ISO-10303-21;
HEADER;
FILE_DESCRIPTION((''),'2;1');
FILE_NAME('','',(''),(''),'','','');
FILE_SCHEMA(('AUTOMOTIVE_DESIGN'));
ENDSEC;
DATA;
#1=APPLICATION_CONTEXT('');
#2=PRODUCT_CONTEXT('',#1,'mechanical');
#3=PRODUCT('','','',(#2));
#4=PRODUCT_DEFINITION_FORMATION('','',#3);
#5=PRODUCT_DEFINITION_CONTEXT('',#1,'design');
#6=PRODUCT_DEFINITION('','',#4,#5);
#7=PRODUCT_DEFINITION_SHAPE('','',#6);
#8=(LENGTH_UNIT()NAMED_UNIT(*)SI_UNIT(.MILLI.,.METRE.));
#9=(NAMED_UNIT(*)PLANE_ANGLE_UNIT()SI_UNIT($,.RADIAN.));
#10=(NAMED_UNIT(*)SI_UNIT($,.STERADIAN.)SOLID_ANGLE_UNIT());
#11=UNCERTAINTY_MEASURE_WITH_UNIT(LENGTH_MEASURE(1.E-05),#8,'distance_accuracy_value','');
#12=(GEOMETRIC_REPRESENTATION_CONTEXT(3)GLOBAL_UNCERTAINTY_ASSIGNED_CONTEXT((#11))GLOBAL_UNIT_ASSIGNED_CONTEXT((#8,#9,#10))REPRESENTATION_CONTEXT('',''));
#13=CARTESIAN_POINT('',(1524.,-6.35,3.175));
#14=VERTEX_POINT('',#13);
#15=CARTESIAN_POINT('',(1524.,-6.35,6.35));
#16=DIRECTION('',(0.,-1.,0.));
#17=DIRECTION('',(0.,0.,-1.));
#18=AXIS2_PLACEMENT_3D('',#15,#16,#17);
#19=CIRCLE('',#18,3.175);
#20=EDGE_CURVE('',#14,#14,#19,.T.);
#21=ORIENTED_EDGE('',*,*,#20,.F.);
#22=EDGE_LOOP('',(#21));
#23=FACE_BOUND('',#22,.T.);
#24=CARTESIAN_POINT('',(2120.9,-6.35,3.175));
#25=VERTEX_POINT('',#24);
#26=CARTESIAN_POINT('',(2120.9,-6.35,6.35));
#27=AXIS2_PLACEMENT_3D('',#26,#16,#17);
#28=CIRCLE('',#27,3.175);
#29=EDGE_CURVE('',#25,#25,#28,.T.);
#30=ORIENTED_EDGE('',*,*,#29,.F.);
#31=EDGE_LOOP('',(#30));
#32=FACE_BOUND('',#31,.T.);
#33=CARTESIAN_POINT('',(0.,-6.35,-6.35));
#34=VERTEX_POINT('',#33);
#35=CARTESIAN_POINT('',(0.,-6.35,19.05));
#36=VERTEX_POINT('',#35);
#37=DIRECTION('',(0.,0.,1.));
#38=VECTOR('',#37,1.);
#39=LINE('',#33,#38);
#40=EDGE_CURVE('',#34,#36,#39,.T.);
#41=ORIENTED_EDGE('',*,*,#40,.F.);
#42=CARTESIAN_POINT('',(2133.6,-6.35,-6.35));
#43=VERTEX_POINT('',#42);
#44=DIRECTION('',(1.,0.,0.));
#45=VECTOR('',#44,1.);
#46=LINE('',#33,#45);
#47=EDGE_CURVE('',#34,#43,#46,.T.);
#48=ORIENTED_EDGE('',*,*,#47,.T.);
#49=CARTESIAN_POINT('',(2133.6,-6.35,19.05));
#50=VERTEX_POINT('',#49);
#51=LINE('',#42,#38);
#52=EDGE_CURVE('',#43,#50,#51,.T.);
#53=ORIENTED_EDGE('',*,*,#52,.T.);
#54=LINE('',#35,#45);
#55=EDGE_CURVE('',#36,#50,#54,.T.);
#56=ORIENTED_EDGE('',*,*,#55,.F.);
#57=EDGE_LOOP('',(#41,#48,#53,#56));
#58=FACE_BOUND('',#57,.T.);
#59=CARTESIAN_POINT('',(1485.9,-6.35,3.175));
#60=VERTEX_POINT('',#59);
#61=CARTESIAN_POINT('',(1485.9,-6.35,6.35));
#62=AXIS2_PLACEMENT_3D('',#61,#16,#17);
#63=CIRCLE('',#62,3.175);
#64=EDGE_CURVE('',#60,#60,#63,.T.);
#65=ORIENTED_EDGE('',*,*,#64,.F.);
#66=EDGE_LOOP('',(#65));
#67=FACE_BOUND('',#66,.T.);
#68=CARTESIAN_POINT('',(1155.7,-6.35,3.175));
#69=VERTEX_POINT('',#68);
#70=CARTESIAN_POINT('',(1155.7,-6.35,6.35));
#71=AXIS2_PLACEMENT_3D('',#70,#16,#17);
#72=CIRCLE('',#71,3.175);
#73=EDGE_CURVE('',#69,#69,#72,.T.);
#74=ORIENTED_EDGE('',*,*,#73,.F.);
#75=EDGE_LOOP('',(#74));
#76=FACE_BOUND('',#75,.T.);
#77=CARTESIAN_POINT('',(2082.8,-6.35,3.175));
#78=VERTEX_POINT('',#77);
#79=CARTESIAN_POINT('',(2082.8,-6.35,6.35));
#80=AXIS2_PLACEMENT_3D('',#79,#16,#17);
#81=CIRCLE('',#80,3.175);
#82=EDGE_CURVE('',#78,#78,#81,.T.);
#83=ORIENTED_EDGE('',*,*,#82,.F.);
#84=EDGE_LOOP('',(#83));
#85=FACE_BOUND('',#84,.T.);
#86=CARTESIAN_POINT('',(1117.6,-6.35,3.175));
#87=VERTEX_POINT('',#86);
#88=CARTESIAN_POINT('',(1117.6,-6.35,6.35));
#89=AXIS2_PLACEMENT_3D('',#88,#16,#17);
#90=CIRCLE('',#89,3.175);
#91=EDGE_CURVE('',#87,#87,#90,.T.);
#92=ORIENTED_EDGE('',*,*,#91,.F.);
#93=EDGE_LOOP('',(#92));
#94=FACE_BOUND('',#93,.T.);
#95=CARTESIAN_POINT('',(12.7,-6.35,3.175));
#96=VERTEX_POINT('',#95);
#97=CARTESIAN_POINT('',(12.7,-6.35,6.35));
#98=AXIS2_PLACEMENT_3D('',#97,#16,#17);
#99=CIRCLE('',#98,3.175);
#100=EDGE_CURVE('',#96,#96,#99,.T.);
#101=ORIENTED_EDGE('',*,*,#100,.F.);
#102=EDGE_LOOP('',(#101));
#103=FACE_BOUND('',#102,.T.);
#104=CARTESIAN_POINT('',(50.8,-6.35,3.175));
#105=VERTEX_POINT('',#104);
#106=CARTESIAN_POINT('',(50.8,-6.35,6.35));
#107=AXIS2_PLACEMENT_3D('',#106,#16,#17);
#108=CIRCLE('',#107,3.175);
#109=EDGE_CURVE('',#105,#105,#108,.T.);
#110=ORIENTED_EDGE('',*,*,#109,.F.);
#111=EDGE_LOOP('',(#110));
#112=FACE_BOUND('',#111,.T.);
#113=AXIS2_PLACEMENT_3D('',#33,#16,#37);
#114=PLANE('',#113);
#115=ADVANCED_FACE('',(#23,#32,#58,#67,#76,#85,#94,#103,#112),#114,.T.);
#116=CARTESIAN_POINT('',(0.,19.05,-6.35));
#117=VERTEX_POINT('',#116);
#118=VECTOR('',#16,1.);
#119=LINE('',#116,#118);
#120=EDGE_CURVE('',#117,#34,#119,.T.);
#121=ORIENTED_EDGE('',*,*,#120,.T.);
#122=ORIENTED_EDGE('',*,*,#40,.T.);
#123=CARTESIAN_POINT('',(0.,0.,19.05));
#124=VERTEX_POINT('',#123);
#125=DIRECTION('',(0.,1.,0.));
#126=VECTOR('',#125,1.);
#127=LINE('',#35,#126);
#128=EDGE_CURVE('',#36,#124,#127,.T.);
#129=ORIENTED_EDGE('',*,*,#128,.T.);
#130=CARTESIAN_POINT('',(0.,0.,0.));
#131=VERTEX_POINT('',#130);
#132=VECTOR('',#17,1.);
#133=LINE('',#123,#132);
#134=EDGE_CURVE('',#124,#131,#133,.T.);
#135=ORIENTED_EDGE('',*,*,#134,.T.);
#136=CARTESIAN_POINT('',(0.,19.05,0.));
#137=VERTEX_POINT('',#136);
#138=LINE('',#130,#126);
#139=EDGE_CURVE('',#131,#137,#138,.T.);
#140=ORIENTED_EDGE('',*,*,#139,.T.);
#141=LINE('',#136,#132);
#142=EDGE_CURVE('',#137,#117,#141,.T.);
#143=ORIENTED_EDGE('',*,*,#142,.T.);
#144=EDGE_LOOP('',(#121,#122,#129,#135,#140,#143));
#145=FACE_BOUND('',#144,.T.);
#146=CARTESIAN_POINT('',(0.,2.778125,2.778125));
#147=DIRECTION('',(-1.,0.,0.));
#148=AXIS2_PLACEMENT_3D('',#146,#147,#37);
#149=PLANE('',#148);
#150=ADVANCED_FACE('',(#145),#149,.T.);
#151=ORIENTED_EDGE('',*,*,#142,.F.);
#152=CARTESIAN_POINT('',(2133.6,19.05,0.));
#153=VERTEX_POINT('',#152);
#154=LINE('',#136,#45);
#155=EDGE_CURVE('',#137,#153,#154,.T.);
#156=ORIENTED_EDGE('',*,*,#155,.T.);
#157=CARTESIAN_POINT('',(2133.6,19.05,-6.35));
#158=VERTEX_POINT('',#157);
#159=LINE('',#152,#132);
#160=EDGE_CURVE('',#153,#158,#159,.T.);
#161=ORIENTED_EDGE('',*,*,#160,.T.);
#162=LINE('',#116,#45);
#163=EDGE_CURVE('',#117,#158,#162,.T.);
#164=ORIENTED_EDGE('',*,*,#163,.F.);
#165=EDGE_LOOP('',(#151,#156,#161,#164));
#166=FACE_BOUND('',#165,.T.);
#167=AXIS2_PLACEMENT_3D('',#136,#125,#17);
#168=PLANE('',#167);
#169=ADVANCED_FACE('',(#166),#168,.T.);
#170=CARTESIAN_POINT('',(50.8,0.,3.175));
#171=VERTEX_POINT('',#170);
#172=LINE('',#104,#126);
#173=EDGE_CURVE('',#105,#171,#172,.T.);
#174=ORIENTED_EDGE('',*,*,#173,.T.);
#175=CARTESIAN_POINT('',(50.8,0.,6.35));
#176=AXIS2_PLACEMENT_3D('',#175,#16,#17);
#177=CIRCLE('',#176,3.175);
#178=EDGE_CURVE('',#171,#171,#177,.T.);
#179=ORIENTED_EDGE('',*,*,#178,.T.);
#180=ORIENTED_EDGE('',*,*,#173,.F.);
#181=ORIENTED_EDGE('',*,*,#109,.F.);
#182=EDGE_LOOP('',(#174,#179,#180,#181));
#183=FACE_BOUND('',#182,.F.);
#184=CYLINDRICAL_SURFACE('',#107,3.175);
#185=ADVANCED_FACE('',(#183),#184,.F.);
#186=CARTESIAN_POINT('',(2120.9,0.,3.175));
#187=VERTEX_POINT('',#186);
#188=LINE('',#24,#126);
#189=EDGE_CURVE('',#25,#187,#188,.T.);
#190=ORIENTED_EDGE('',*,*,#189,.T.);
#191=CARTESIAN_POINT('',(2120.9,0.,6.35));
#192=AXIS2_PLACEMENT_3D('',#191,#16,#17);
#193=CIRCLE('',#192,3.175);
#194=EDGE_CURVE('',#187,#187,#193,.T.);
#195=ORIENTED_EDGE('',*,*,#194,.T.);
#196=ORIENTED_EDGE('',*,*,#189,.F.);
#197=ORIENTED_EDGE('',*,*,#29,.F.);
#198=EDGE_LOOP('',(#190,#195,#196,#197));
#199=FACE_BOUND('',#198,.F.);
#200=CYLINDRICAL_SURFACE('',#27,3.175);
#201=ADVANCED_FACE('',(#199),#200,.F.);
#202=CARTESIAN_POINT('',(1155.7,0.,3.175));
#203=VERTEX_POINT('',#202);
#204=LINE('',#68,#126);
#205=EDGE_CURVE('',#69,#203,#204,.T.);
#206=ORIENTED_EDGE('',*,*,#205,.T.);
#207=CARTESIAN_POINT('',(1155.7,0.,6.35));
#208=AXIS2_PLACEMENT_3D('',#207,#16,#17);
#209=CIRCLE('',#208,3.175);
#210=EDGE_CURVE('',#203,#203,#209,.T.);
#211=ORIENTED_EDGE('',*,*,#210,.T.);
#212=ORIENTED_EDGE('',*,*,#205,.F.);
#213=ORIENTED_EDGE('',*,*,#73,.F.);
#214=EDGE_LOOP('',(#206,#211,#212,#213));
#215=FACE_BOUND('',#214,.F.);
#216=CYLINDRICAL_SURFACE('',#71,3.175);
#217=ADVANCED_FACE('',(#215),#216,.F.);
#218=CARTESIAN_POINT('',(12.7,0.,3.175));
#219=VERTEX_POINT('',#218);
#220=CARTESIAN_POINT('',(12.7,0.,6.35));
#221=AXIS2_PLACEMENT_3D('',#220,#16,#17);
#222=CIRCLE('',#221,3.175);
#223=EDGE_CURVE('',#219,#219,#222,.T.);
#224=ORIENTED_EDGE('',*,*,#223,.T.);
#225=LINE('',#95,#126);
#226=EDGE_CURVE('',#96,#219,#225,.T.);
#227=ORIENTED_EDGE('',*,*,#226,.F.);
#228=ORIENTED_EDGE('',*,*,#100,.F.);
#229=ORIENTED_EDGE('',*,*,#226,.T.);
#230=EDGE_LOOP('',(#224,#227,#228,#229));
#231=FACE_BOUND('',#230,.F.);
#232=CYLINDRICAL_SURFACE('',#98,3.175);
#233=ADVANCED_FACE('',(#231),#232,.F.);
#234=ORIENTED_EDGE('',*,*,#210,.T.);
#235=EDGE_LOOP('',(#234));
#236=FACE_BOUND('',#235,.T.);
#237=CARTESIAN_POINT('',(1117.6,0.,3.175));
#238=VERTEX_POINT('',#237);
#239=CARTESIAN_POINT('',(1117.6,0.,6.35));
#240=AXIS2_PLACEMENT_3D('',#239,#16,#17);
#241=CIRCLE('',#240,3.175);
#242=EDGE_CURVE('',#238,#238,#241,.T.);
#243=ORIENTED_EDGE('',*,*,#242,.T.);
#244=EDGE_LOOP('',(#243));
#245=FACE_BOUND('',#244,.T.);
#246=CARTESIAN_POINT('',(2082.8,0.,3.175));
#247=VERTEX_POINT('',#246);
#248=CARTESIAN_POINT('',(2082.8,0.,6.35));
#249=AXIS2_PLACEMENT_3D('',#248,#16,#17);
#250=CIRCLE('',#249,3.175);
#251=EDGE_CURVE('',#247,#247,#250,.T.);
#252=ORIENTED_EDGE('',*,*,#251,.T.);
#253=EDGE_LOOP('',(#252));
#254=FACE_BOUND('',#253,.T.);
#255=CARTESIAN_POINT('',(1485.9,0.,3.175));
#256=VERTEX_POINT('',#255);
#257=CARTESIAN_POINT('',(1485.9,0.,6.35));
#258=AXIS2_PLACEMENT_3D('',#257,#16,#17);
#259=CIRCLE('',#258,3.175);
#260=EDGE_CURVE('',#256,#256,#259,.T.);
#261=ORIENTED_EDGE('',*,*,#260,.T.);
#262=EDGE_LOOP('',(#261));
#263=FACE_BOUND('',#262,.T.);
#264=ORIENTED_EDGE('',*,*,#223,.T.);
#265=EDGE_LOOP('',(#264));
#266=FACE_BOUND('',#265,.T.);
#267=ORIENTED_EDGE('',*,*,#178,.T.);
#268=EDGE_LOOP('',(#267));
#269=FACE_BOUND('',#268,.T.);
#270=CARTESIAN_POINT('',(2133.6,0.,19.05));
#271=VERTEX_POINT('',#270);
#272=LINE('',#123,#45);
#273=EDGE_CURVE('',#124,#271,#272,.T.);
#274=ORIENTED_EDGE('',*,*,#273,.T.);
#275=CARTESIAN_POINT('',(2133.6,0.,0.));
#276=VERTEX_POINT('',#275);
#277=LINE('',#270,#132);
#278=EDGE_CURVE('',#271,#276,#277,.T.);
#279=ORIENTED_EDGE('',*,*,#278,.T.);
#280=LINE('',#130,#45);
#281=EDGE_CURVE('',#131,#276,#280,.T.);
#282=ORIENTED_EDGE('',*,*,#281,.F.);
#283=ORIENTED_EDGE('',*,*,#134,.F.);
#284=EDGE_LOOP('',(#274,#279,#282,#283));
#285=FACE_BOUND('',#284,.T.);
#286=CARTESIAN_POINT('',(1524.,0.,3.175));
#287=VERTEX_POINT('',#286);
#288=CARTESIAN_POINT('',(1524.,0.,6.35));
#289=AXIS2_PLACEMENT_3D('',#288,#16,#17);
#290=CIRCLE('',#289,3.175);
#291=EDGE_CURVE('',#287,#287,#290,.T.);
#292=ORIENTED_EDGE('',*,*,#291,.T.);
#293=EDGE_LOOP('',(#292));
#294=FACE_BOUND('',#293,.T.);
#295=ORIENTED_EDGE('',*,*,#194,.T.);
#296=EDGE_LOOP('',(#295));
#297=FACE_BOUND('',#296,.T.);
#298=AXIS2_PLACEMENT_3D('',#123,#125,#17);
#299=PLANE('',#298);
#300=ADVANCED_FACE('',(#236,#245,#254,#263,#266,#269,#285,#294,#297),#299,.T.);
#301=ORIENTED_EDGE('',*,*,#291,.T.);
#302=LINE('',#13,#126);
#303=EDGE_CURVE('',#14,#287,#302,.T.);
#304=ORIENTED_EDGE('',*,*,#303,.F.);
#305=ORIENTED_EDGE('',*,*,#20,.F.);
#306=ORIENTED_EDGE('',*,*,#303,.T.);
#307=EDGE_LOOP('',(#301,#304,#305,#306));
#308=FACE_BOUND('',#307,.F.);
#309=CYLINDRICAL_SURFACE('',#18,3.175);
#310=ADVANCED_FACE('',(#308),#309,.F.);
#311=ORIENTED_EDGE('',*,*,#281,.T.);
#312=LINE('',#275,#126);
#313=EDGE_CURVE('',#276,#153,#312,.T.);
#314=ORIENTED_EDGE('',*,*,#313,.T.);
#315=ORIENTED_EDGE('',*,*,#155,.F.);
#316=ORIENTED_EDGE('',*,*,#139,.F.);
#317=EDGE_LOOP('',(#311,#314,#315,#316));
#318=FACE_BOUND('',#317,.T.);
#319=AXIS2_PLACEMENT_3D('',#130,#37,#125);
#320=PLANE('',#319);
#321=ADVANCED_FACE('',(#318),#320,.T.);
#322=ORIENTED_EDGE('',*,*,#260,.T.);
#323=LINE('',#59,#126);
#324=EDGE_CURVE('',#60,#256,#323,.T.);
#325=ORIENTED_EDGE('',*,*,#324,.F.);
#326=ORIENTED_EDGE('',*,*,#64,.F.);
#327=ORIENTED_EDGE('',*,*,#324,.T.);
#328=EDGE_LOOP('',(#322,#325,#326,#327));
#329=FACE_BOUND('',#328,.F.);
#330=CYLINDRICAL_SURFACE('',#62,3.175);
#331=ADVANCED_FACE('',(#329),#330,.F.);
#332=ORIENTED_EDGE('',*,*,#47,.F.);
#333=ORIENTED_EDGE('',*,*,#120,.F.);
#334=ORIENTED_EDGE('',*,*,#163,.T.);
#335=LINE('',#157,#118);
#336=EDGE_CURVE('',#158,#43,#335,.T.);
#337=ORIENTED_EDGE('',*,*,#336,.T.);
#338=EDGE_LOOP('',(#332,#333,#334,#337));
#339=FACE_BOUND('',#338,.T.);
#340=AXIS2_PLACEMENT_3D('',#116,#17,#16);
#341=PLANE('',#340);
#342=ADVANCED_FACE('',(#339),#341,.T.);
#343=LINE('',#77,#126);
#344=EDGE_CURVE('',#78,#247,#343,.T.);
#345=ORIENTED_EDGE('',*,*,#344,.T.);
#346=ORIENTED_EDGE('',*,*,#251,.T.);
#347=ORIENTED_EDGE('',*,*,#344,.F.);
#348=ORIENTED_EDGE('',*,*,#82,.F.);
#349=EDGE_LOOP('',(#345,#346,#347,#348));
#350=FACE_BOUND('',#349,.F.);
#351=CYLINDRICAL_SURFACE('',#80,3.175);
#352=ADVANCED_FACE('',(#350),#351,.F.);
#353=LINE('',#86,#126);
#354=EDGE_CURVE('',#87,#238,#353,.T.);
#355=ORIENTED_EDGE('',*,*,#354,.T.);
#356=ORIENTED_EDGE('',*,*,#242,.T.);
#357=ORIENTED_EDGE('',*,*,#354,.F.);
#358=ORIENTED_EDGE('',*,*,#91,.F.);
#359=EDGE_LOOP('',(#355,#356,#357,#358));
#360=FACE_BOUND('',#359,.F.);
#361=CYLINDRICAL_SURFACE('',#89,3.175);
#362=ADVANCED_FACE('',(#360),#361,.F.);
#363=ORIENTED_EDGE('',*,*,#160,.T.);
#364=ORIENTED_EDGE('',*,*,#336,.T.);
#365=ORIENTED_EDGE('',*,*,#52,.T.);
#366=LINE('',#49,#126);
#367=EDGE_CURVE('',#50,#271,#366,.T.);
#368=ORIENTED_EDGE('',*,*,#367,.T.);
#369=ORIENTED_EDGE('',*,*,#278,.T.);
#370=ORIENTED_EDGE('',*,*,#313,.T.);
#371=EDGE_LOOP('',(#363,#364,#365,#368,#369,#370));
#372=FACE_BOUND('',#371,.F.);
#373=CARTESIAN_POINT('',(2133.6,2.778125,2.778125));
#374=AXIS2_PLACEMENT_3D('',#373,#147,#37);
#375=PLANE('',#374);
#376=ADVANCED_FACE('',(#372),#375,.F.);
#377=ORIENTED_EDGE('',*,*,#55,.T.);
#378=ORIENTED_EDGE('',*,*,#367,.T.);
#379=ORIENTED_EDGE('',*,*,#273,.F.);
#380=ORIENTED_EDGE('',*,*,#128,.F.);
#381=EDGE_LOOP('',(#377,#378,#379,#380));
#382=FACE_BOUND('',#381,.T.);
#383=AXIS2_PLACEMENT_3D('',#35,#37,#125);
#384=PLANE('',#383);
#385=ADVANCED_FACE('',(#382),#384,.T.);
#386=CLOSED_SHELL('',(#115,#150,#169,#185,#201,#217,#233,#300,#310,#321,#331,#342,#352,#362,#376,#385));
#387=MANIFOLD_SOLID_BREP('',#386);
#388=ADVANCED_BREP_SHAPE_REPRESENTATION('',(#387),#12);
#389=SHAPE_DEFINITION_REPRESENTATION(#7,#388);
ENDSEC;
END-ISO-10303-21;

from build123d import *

# Parameters (mm, degrees)
BOSS_EXTRUDE1_DEPTH = 2133.6
SKETCH2_R           = 3.175
CUT_EXTRUDE1_DEPTH  = 914.4


with BuildPart() as part:
    # Sketch1 → Boss-Extrude1 (new body)
    with BuildSketch(Plane(origin=(0, 0, 0), x_dir=(0, 0, -1), z_dir=(1, 0, 0))):
        Polygon((0, 0), (0, 19.05), (6.35, 19.05), (6.35, -6.35), (-19.05, -6.35), (-19.05, 0), align=None)
    extrude(amount=BOSS_EXTRUDE1_DEPTH)

    # Sketch2 → Cut-Extrude1 (cut)
    with BuildSketch(Plane.XZ.offset(6.35)):
        with Locations(Location((12.7, 6.35, 0), (0, 0, 270))):
            Circle(SKETCH2_R)
        with Locations(Location((50.8, 6.35, 0), (0, 0, 270))):
            Circle(SKETCH2_R)
        with Locations(Location((1117.6, 6.35, 0), (0, 0, 270))):
            Circle(SKETCH2_R)
        with Locations(Location((1155.7, 6.35, 0), (0, 0, 270))):
            Circle(SKETCH2_R)
        with Locations(Location((1485.9, 6.35, 0), (0, 0, 270))):
            Circle(SKETCH2_R)
        with Locations(Location((1524, 6.35, 0), (0, 0, 270))):
            Circle(SKETCH2_R)
        with Locations(Location((2082.8, 6.35, 0), (0, 0, 270))):
            Circle(SKETCH2_R)
        with Locations(Location((2120.9, 6.35, 0), (0, 0, 270))):
            Circle(SKETCH2_R)
    extrude(amount=-CUT_EXTRUDE1_DEPTH, mode=Mode.SUBTRACT)


solid = part.part
